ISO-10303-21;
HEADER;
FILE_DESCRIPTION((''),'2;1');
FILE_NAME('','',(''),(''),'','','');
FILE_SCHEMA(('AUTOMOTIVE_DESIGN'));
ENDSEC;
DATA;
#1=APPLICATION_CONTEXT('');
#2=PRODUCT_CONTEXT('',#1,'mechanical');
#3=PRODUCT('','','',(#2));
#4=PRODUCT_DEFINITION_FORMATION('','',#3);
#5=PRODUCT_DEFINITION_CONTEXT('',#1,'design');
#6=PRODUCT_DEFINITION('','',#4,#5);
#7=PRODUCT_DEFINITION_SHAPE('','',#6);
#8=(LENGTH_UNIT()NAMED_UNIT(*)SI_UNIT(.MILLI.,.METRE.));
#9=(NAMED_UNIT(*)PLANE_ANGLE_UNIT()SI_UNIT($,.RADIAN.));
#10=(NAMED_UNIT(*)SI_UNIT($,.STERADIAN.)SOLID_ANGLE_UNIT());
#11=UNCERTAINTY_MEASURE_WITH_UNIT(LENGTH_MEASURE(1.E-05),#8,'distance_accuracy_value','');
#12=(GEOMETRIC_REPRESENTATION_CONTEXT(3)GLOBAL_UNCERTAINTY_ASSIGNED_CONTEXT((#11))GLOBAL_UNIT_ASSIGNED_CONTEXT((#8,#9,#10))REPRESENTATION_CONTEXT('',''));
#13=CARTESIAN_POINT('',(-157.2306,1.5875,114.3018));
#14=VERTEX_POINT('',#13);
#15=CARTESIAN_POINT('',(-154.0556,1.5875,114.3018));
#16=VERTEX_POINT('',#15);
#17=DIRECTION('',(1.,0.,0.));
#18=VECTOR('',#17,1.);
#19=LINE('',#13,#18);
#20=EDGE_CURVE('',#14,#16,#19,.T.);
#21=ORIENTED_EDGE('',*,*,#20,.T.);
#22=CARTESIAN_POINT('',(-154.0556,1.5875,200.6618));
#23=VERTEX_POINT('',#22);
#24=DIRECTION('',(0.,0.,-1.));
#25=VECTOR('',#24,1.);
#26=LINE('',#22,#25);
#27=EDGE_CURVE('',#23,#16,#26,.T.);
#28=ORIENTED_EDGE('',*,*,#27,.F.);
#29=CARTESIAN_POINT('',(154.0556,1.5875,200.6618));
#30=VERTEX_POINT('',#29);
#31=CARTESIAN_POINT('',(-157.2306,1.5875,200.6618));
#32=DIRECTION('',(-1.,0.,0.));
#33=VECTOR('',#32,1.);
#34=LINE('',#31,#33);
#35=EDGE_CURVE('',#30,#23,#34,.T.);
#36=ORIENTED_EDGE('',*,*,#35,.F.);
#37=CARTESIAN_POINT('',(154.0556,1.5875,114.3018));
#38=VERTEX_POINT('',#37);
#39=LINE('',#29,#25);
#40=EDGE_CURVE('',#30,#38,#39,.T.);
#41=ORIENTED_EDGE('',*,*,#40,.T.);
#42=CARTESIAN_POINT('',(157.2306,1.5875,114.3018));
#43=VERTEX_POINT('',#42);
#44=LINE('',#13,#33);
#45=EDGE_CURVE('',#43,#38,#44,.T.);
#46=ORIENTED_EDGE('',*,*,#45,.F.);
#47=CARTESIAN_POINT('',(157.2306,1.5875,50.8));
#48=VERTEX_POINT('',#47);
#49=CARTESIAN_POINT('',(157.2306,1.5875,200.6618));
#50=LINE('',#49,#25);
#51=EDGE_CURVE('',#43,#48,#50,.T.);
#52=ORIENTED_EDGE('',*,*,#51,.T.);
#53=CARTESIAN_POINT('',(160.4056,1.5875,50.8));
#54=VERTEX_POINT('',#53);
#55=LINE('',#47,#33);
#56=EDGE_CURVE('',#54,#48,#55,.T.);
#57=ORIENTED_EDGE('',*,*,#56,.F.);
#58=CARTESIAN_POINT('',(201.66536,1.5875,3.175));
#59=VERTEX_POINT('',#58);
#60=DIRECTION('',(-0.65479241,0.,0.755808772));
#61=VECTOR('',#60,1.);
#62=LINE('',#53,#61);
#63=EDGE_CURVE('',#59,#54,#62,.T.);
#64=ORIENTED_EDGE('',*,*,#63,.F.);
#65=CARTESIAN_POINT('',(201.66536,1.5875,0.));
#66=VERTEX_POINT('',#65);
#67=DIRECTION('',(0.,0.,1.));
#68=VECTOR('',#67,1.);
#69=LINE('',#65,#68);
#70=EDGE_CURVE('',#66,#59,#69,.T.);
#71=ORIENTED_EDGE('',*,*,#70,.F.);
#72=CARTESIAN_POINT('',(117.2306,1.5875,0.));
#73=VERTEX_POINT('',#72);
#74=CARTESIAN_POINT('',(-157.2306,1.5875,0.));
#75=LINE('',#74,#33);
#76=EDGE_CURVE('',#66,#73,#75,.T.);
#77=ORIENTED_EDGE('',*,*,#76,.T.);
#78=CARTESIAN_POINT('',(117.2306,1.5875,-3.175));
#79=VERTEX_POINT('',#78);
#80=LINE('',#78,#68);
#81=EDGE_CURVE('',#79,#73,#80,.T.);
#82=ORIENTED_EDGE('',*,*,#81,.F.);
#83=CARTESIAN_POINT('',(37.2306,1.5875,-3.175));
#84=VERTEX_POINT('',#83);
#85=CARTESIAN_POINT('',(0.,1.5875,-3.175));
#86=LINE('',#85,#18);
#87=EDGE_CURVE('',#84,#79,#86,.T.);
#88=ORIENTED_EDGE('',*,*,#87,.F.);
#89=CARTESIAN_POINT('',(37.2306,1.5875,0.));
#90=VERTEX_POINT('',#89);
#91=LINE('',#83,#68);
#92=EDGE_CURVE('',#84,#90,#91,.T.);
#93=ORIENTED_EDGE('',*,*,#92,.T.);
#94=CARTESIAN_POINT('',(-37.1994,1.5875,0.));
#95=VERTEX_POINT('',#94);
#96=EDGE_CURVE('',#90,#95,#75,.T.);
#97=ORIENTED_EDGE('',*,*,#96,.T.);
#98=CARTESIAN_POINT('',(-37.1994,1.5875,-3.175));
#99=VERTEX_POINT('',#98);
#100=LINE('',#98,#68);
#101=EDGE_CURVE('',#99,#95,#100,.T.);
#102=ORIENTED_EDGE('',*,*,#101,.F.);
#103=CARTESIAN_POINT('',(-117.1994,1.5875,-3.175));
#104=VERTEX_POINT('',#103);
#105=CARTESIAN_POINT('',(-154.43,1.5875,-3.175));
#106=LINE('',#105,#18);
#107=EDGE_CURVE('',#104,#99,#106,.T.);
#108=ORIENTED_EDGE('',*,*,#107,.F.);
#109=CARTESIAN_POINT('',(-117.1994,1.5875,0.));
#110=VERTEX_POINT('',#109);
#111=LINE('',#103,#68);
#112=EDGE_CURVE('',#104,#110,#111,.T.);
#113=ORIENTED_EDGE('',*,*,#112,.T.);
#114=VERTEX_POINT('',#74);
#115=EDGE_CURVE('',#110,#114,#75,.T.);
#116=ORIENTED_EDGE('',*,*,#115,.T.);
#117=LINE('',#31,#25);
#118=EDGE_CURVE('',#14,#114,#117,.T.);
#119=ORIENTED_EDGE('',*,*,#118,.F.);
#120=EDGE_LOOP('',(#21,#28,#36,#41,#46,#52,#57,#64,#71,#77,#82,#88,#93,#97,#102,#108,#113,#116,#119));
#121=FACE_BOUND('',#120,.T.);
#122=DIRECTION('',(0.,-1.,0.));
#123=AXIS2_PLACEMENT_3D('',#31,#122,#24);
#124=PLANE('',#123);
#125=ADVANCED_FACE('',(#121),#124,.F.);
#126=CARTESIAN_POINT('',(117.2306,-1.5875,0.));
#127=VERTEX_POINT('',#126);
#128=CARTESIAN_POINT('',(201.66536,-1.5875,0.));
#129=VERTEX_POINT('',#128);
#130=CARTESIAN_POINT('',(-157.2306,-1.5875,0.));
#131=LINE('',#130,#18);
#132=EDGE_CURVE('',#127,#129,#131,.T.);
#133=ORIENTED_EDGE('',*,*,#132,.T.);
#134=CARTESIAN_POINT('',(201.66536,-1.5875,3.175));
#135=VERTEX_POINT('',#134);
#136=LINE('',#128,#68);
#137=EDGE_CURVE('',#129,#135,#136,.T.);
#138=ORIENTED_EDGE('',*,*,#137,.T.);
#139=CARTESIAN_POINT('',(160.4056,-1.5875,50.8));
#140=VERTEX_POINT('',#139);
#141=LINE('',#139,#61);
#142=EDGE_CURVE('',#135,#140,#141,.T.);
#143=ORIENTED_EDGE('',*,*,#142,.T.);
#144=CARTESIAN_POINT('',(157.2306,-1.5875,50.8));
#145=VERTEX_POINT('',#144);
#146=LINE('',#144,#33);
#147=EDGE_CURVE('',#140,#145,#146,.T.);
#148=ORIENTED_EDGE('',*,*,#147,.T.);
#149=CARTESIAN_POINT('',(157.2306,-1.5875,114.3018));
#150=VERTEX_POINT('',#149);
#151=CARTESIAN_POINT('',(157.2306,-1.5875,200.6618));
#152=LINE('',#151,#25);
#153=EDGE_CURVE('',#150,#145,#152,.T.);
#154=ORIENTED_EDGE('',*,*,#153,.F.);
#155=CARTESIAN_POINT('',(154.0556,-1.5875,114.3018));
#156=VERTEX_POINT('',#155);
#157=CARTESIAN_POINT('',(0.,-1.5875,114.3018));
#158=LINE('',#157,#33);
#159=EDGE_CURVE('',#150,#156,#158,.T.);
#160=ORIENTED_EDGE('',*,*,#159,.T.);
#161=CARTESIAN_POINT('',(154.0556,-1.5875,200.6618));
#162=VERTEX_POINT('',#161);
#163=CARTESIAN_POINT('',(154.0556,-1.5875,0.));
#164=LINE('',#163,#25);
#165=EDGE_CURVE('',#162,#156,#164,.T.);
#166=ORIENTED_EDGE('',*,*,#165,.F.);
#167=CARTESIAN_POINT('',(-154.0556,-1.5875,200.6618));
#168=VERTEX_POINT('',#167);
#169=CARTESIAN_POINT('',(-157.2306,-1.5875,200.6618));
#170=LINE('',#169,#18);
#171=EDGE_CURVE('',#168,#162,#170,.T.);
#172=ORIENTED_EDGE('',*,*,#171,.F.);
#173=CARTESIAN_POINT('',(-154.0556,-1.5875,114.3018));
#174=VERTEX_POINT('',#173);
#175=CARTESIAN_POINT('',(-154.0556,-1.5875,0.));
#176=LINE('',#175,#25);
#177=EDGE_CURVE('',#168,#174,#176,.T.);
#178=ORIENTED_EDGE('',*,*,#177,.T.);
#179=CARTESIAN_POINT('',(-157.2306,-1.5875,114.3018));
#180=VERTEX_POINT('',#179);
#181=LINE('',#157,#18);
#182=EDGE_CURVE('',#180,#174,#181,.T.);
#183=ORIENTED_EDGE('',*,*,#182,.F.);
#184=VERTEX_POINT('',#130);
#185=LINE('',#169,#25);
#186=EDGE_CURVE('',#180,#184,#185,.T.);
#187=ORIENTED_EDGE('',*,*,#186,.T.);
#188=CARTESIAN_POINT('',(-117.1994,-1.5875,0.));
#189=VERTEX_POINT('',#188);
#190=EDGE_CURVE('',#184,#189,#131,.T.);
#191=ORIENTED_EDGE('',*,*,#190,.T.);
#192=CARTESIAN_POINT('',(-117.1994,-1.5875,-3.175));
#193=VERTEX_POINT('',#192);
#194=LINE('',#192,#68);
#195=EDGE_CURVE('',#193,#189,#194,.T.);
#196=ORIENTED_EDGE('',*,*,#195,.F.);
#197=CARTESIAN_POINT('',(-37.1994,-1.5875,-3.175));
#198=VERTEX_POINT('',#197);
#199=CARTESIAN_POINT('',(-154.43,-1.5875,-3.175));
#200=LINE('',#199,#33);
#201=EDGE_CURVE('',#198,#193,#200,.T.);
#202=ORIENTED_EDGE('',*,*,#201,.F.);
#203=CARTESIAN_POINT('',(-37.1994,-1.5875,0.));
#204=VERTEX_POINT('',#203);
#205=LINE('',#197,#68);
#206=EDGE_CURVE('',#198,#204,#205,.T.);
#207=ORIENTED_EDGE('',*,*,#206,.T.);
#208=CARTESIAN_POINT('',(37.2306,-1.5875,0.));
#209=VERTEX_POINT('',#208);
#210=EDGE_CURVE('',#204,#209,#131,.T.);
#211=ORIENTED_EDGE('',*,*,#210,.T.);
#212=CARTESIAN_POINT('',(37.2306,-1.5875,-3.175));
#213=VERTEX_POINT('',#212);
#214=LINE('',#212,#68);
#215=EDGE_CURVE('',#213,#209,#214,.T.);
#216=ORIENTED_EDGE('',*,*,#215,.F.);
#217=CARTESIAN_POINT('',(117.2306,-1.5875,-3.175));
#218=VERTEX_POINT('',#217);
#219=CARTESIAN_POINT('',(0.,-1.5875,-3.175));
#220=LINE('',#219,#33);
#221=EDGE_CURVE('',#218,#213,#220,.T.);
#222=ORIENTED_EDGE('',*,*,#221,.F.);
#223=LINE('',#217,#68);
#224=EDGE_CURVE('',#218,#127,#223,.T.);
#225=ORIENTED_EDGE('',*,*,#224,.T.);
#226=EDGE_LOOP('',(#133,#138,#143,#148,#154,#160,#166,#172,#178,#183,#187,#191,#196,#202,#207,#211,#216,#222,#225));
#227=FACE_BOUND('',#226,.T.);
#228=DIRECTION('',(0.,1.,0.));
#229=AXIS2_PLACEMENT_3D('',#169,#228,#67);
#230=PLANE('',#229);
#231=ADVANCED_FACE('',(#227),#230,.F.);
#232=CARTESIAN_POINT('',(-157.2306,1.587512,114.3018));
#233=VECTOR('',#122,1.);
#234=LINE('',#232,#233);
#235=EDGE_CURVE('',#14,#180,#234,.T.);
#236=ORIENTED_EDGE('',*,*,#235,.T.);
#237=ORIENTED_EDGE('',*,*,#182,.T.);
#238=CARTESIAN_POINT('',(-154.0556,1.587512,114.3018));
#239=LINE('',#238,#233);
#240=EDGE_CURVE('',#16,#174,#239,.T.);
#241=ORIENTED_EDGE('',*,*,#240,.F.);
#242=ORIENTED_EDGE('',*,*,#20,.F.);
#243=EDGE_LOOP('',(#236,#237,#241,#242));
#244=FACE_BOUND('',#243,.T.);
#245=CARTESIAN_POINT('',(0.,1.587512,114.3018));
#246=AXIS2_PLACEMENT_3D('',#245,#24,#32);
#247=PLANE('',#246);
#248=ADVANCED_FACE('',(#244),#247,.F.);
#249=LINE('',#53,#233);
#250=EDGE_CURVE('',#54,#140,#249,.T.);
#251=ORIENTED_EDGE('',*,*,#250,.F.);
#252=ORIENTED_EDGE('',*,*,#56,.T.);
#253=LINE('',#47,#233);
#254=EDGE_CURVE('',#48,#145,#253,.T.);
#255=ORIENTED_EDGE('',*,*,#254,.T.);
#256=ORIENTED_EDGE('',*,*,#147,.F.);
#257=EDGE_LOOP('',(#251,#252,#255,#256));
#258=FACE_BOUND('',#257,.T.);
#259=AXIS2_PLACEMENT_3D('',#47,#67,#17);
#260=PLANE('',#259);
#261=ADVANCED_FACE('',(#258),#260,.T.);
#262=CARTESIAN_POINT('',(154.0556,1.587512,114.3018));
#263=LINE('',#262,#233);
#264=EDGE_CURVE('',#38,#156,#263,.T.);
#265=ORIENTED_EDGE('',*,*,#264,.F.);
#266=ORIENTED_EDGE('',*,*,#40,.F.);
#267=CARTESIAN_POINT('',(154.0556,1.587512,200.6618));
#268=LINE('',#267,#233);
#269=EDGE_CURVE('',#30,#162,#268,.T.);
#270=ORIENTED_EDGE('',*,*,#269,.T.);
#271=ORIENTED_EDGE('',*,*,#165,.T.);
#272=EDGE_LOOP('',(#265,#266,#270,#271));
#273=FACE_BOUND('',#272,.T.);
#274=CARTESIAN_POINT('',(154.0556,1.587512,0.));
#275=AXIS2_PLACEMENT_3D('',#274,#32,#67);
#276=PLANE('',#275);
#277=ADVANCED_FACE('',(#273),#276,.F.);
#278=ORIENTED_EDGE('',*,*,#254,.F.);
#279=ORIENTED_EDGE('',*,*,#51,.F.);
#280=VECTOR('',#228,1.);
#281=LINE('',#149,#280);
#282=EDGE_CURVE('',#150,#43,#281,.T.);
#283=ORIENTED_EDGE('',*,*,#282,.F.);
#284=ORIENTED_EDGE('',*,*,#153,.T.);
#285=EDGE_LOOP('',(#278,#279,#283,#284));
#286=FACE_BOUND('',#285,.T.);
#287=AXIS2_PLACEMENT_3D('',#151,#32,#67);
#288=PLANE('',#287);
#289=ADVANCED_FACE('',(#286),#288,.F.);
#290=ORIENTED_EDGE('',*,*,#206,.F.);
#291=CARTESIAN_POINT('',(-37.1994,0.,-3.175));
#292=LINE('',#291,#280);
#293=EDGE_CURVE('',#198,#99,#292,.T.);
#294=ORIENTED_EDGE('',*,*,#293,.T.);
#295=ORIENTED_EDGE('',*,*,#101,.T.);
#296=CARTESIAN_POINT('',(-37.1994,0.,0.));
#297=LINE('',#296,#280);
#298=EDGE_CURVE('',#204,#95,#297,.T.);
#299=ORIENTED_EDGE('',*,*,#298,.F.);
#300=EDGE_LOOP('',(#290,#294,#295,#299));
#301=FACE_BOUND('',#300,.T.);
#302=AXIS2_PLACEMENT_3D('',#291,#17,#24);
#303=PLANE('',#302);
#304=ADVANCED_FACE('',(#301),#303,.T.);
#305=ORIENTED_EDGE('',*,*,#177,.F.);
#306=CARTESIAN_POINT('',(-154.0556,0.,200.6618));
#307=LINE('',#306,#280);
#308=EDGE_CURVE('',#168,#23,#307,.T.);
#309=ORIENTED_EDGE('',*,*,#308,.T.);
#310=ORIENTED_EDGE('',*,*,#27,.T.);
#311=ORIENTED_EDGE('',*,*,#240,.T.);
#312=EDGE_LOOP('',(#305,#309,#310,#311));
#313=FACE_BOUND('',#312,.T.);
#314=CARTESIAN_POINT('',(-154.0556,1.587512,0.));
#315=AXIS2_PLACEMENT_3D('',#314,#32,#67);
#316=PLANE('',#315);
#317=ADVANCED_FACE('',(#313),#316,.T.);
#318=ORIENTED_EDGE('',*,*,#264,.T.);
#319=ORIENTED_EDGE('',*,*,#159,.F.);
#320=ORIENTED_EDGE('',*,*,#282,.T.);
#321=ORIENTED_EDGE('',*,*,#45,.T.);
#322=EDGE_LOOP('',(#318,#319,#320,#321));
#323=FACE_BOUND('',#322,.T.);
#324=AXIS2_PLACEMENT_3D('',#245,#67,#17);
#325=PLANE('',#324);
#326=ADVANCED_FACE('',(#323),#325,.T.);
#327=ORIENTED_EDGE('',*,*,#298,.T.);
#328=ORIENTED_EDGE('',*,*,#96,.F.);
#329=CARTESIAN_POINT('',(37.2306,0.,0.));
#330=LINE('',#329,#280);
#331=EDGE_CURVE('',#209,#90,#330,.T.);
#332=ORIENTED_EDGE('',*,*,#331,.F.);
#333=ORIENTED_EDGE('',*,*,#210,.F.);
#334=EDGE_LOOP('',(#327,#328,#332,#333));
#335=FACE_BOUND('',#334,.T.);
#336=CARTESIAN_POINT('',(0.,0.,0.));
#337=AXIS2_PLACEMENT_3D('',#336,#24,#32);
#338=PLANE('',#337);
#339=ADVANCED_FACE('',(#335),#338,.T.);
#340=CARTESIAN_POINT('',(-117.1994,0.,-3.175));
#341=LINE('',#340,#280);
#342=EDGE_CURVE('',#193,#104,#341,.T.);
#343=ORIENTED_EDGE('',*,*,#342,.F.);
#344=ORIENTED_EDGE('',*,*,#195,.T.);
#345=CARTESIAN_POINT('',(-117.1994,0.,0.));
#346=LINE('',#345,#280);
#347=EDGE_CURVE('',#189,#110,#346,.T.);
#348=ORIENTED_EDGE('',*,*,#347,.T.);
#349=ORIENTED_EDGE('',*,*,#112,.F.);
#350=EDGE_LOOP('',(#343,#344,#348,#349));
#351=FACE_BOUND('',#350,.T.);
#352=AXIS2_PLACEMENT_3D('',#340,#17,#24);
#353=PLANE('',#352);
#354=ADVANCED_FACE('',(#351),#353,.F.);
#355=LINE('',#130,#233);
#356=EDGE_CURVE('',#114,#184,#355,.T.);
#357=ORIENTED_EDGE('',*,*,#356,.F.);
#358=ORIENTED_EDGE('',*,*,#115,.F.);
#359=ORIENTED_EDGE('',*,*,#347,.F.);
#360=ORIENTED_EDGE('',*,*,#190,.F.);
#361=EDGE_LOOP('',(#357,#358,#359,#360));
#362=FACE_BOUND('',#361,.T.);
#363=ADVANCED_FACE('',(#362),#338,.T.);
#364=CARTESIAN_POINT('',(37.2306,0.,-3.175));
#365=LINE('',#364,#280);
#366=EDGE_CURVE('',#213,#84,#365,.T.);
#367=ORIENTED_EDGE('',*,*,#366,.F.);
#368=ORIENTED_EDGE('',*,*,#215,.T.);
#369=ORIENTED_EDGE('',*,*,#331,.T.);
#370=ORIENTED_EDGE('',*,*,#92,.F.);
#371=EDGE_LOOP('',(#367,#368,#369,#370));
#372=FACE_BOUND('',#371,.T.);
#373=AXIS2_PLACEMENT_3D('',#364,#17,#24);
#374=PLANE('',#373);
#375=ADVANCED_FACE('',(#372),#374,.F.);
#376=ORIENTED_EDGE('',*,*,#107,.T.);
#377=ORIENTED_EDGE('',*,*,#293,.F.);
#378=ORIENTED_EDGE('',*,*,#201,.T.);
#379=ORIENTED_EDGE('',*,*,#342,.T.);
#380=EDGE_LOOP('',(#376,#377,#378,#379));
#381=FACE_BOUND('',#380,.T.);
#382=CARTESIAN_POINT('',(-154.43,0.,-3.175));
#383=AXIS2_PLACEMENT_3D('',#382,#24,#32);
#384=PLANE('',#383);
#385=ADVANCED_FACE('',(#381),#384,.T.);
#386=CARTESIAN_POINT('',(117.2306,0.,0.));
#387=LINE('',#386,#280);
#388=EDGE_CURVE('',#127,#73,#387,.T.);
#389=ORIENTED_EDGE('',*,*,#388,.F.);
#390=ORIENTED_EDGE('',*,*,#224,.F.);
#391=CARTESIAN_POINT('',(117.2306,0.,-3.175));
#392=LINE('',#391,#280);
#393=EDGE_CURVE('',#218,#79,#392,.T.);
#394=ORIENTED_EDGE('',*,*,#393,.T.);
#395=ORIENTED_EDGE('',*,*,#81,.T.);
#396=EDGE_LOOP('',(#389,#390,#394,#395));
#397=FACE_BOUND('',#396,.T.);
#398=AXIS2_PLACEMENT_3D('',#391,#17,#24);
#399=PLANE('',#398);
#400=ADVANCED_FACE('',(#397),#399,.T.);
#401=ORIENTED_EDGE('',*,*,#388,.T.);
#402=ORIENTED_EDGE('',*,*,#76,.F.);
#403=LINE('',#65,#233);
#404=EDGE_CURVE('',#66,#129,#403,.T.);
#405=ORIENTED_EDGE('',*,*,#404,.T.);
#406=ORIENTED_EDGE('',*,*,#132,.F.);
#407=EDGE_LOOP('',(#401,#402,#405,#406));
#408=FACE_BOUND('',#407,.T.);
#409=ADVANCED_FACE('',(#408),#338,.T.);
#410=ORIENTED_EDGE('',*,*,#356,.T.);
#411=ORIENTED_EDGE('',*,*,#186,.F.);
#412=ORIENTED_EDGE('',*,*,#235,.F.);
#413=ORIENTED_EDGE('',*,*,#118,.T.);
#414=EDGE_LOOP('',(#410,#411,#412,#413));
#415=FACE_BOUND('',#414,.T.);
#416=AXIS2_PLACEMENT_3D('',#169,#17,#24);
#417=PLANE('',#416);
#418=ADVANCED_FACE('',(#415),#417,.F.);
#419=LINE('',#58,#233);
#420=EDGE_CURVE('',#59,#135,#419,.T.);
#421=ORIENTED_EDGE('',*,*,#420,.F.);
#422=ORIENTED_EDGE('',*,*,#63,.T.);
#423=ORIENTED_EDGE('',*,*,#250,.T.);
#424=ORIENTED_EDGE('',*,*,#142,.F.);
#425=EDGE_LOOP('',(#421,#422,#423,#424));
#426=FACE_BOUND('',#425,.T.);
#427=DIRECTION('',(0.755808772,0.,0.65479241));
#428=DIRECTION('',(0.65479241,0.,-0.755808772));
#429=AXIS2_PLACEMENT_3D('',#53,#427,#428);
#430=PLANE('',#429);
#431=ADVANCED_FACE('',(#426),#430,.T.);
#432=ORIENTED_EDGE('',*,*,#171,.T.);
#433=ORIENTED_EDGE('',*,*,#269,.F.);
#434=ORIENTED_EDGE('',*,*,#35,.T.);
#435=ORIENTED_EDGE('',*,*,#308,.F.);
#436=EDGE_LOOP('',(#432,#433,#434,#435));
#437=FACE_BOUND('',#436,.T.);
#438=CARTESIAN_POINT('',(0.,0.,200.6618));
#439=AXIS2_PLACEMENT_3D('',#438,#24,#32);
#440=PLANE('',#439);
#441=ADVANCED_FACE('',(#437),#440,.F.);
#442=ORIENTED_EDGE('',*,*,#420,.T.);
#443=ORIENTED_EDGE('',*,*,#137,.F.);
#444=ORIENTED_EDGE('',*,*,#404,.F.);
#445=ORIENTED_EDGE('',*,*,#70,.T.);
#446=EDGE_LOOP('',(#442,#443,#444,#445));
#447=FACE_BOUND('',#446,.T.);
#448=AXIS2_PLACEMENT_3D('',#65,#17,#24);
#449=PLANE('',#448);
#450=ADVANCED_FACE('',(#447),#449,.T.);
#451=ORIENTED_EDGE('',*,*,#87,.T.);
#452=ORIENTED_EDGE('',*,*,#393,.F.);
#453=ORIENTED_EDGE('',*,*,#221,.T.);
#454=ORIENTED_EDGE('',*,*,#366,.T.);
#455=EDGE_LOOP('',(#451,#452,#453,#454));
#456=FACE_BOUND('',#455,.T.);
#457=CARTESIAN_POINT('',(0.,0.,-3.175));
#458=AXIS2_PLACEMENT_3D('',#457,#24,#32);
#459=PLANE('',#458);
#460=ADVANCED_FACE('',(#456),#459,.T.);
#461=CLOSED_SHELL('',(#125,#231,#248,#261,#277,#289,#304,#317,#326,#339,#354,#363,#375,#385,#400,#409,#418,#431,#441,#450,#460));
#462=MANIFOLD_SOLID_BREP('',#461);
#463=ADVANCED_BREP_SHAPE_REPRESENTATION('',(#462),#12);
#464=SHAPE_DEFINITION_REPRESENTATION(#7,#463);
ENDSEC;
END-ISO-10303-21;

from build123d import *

# Parameters (mm, degrees)
SKETCH1_W           = 314.4612
SKETCH1_H           = 3.175
BOSS_EXTRUDE1_DEPTH = 200.66180012
CUT_EXTRUDE2_START  = -3.175
SKETCH5_W           = 3.175
SKETCH5_H           = 86.36
CUT_EXTRUDE2_DEPTH  = 259.119504214
SKETCH3_W           = 80
SKETCH3_H           = 3.175
BOSS_EXTRUDE2_DEPTH = 3.175
LPATTERN2_COUNT     = 2
LPATTERN2_PITCH     = 154.43
BOSS_EXTRUDE3_DEPTH = 3.175


with BuildPart() as part:
    # Sketch1 → Boss-Extrude1 (new body)
    with BuildSketch(Plane.XY):
        Rectangle(SKETCH1_W, SKETCH1_H)
    extrude(amount=BOSS_EXTRUDE1_DEPTH)

    # Sketch5 → Cut-Extrude2 (cut)
    with BuildSketch(Plane(origin=(0, 1.5875, 0), x_dir=(1, 0, 0), z_dir=(0, 1, 0)).offset(CUT_EXTRUDE2_START)):
        with Locations((-155.6431, -157.48180012)):
            Rectangle(SKETCH5_W, SKETCH5_H)
    cut_extrude2 = extrude(amount=CUT_EXTRUDE2_DEPTH, mode=Mode.SUBTRACT)

    # Mirror1: Cut-Extrude2 across plane
    add(cut_extrude2.mirror(Plane(origin=(0, 0, 0), x_dir=(0, 0, 1), z_dir=(1, 0, 0))), mode=Mode.SUBTRACT)

    # Sketch3 → Boss-Extrude2 (add)
    with BuildSketch(Plane(origin=(0, 0, 0), x_dir=(-1, 0, 0), z_dir=(0, 0, -1))):
        with Locations((-77.2306, 0)):
            Rectangle(SKETCH3_W, SKETCH3_H)
    boss_extrude2 = extrude(amount=BOSS_EXTRUDE2_DEPTH)

    # LPattern2: Boss-Extrude2 ×2
    with Locations(*[(-i * LPATTERN2_PITCH, 0, 0) for i in range(1, LPATTERN2_COUNT)]):
        add(boss_extrude2)

    # Sketch10 → Boss-Extrude3 (add)
    with BuildSketch(Plane.XZ.offset(1.5875)):
        Polygon((201.66536, 0), (201.66536, 3.175), (160.4056, 50.8), (157.2306, 50.8), (157.2306, 0), align=None)
    extrude(amount=-BOSS_EXTRUDE3_DEPTH)


solid = part.part
